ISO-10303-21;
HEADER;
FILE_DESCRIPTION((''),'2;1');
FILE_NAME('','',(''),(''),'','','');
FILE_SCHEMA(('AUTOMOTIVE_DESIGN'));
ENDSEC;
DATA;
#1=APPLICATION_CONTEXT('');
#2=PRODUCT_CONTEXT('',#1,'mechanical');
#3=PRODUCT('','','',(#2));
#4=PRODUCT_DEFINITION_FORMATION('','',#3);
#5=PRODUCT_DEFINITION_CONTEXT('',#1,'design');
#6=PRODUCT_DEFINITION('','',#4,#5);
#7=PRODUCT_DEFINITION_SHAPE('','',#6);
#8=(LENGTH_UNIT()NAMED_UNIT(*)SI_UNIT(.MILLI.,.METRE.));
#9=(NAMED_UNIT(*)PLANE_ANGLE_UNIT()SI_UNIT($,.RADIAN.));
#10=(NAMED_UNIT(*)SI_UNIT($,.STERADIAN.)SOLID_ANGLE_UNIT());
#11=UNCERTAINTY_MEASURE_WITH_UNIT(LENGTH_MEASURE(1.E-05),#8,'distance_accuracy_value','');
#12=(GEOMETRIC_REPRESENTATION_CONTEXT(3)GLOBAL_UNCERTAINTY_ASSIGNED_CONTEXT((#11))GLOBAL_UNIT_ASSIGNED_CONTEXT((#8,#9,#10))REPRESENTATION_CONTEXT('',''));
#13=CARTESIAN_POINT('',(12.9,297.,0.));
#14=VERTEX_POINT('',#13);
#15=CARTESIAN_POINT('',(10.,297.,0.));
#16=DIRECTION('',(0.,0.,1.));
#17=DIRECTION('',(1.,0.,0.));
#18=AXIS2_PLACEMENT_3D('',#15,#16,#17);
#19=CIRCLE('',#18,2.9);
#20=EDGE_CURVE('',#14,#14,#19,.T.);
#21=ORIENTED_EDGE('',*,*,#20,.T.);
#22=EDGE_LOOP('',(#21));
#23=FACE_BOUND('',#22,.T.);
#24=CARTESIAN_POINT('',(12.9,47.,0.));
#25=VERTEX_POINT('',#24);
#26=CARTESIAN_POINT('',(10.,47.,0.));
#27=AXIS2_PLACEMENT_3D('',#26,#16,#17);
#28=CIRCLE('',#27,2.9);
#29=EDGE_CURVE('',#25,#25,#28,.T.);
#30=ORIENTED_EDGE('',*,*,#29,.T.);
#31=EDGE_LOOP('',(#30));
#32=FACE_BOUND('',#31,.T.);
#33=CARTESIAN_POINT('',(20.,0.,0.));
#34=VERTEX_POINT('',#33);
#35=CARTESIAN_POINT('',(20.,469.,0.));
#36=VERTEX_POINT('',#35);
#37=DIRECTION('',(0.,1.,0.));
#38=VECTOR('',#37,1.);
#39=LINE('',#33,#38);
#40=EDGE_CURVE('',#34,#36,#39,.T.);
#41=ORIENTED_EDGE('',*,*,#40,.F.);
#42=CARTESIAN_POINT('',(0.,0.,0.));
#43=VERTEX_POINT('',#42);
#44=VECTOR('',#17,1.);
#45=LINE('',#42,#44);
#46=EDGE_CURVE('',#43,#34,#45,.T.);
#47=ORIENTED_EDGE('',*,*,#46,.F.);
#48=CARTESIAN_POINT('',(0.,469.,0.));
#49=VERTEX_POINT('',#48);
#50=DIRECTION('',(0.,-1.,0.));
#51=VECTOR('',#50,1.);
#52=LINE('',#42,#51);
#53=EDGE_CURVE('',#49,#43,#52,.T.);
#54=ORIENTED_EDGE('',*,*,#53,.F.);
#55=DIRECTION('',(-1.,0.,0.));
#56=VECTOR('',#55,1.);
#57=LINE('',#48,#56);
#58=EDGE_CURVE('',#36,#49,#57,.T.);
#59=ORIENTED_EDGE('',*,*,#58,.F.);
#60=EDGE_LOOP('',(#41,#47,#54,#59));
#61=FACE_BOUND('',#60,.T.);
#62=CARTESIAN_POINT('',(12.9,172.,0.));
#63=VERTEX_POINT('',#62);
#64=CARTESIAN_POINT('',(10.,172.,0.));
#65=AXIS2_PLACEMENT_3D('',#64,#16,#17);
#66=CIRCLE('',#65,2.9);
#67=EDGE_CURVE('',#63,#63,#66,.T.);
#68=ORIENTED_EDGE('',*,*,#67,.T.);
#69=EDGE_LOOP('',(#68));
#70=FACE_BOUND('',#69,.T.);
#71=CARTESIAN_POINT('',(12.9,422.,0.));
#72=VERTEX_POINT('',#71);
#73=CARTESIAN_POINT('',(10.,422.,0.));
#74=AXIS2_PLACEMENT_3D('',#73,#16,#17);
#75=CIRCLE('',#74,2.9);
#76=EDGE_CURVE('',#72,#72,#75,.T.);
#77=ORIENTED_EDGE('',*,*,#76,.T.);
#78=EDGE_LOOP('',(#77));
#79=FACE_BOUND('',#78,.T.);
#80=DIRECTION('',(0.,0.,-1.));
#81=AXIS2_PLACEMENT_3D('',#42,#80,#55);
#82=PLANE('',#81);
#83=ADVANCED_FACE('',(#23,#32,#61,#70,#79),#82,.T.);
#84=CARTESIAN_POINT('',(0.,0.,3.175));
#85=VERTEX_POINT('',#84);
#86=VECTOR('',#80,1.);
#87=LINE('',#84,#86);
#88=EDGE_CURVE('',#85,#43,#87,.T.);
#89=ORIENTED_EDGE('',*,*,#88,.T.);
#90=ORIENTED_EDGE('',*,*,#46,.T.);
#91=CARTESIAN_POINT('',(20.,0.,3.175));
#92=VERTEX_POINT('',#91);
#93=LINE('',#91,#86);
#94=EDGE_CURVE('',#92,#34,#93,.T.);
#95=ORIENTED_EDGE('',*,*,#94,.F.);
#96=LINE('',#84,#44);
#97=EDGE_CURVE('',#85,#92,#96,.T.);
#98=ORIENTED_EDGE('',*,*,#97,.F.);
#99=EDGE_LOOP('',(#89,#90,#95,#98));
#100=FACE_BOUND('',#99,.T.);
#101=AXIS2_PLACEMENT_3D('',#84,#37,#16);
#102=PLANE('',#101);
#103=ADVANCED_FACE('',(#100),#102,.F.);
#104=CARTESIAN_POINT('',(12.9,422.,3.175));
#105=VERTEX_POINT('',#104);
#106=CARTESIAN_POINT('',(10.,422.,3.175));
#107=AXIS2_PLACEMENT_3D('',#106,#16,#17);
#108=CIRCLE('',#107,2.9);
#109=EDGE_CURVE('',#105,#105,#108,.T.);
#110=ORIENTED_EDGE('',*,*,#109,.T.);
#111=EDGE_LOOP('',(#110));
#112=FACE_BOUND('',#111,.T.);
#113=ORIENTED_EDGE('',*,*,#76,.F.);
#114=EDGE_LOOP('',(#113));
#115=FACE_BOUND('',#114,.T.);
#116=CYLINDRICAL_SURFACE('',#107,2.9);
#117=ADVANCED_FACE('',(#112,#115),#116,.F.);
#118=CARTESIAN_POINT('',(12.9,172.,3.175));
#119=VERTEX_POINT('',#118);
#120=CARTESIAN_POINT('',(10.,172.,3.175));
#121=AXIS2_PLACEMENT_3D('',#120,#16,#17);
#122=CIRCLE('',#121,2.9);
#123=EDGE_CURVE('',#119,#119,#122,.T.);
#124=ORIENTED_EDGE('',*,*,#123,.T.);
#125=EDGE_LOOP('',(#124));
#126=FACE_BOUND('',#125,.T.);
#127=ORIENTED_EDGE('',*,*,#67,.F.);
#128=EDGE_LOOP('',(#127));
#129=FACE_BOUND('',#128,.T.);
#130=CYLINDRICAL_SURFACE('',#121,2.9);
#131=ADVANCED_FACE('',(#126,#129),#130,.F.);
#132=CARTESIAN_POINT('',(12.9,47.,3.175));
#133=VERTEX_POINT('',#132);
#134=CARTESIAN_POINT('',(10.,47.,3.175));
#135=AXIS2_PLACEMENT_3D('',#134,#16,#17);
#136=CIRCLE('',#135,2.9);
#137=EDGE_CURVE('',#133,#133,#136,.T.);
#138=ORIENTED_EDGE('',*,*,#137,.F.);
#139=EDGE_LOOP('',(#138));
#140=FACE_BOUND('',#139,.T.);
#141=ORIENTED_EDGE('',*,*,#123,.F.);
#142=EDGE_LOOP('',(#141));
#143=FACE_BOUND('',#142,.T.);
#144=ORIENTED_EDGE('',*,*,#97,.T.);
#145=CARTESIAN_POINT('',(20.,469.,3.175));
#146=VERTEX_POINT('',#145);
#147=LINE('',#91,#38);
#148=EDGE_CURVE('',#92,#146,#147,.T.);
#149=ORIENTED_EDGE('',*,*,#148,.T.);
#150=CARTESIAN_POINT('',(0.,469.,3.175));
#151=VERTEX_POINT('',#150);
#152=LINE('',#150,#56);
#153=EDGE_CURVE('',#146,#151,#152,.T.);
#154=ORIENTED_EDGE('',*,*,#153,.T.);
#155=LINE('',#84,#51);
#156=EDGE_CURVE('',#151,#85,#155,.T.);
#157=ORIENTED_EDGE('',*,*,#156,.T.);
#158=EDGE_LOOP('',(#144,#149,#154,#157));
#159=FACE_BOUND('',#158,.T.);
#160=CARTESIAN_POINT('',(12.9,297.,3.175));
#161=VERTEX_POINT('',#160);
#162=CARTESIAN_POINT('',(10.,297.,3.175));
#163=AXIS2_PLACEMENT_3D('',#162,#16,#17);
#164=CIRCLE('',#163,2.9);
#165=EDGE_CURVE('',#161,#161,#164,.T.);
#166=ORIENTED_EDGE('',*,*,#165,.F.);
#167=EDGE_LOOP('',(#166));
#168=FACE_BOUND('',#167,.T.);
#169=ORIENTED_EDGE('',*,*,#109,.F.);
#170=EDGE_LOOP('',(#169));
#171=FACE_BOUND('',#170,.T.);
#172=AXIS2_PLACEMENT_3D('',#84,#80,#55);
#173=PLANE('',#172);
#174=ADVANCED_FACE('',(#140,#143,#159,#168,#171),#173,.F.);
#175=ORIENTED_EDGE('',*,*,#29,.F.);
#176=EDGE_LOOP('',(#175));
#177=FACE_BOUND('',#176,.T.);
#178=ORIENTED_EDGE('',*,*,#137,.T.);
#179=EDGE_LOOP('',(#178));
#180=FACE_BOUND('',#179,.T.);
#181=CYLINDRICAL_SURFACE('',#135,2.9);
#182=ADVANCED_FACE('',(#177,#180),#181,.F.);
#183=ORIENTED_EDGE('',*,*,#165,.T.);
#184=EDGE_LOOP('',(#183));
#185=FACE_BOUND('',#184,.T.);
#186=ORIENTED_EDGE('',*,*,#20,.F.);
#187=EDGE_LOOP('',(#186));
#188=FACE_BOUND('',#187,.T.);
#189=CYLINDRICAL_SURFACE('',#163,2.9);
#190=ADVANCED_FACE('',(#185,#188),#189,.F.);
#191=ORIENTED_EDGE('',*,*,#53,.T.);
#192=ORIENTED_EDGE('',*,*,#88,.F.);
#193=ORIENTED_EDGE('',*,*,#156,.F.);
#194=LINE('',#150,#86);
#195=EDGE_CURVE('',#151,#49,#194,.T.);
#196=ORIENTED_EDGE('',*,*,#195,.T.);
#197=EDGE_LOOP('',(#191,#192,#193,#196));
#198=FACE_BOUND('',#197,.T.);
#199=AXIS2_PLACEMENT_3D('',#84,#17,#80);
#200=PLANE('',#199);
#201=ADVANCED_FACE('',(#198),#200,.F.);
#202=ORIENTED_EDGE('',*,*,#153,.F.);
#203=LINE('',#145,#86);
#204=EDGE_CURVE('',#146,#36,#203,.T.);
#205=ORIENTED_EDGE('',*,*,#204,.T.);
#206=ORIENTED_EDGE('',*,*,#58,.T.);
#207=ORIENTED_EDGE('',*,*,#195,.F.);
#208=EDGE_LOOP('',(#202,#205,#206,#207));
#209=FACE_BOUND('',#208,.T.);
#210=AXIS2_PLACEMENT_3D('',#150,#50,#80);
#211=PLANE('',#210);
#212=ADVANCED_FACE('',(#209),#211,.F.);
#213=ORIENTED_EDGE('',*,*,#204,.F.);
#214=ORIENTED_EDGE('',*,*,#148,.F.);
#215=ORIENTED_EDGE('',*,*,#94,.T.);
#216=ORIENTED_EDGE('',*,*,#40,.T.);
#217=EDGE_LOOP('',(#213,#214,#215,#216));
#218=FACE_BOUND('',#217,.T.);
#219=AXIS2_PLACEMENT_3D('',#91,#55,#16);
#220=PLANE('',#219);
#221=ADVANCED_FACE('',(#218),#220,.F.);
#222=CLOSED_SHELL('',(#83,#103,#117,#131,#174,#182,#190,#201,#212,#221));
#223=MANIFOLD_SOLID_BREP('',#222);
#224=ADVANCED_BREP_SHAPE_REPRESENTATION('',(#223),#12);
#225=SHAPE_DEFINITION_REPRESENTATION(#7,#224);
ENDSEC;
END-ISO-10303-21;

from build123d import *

# Parameters (mm, degrees)
SKETCH2_W            = 20
SKETCH2_H            = 469
BOSS_EXTRUDE1_DEPTH  = 3.175
M5_CLEARANCE_HOLE1_D = 5.8
LPATTERN1_COUNT      = 4
LPATTERN1_PITCH      = 125


with BuildPart() as part:
    # Sketch2 → Boss-Extrude1 (new body)
    with BuildSketch(Plane.XY):
        with Locations((10, 234.5)):
            Rectangle(SKETCH2_W, SKETCH2_H)
    extrude(amount=BOSS_EXTRUDE1_DEPTH)

    # M5 Clearance Hole1 (through all)
    with Locations(Plane(origin=(10, 47, 3.175), x_dir=(1, 0, 0), z_dir=(0, 0, 1))):
        with Locations((0, 0)):
            m5_clearance_hole1 = Hole(M5_CLEARANCE_HOLE1_D / 2)

    # LPattern1: M5 Clearance Hole1 ×4
    with Locations(*[(0, i * LPATTERN1_PITCH, 0) for i in range(1, LPATTERN1_COUNT)]):
        add(m5_clearance_hole1, mode=Mode.SUBTRACT)


solid = part.part
